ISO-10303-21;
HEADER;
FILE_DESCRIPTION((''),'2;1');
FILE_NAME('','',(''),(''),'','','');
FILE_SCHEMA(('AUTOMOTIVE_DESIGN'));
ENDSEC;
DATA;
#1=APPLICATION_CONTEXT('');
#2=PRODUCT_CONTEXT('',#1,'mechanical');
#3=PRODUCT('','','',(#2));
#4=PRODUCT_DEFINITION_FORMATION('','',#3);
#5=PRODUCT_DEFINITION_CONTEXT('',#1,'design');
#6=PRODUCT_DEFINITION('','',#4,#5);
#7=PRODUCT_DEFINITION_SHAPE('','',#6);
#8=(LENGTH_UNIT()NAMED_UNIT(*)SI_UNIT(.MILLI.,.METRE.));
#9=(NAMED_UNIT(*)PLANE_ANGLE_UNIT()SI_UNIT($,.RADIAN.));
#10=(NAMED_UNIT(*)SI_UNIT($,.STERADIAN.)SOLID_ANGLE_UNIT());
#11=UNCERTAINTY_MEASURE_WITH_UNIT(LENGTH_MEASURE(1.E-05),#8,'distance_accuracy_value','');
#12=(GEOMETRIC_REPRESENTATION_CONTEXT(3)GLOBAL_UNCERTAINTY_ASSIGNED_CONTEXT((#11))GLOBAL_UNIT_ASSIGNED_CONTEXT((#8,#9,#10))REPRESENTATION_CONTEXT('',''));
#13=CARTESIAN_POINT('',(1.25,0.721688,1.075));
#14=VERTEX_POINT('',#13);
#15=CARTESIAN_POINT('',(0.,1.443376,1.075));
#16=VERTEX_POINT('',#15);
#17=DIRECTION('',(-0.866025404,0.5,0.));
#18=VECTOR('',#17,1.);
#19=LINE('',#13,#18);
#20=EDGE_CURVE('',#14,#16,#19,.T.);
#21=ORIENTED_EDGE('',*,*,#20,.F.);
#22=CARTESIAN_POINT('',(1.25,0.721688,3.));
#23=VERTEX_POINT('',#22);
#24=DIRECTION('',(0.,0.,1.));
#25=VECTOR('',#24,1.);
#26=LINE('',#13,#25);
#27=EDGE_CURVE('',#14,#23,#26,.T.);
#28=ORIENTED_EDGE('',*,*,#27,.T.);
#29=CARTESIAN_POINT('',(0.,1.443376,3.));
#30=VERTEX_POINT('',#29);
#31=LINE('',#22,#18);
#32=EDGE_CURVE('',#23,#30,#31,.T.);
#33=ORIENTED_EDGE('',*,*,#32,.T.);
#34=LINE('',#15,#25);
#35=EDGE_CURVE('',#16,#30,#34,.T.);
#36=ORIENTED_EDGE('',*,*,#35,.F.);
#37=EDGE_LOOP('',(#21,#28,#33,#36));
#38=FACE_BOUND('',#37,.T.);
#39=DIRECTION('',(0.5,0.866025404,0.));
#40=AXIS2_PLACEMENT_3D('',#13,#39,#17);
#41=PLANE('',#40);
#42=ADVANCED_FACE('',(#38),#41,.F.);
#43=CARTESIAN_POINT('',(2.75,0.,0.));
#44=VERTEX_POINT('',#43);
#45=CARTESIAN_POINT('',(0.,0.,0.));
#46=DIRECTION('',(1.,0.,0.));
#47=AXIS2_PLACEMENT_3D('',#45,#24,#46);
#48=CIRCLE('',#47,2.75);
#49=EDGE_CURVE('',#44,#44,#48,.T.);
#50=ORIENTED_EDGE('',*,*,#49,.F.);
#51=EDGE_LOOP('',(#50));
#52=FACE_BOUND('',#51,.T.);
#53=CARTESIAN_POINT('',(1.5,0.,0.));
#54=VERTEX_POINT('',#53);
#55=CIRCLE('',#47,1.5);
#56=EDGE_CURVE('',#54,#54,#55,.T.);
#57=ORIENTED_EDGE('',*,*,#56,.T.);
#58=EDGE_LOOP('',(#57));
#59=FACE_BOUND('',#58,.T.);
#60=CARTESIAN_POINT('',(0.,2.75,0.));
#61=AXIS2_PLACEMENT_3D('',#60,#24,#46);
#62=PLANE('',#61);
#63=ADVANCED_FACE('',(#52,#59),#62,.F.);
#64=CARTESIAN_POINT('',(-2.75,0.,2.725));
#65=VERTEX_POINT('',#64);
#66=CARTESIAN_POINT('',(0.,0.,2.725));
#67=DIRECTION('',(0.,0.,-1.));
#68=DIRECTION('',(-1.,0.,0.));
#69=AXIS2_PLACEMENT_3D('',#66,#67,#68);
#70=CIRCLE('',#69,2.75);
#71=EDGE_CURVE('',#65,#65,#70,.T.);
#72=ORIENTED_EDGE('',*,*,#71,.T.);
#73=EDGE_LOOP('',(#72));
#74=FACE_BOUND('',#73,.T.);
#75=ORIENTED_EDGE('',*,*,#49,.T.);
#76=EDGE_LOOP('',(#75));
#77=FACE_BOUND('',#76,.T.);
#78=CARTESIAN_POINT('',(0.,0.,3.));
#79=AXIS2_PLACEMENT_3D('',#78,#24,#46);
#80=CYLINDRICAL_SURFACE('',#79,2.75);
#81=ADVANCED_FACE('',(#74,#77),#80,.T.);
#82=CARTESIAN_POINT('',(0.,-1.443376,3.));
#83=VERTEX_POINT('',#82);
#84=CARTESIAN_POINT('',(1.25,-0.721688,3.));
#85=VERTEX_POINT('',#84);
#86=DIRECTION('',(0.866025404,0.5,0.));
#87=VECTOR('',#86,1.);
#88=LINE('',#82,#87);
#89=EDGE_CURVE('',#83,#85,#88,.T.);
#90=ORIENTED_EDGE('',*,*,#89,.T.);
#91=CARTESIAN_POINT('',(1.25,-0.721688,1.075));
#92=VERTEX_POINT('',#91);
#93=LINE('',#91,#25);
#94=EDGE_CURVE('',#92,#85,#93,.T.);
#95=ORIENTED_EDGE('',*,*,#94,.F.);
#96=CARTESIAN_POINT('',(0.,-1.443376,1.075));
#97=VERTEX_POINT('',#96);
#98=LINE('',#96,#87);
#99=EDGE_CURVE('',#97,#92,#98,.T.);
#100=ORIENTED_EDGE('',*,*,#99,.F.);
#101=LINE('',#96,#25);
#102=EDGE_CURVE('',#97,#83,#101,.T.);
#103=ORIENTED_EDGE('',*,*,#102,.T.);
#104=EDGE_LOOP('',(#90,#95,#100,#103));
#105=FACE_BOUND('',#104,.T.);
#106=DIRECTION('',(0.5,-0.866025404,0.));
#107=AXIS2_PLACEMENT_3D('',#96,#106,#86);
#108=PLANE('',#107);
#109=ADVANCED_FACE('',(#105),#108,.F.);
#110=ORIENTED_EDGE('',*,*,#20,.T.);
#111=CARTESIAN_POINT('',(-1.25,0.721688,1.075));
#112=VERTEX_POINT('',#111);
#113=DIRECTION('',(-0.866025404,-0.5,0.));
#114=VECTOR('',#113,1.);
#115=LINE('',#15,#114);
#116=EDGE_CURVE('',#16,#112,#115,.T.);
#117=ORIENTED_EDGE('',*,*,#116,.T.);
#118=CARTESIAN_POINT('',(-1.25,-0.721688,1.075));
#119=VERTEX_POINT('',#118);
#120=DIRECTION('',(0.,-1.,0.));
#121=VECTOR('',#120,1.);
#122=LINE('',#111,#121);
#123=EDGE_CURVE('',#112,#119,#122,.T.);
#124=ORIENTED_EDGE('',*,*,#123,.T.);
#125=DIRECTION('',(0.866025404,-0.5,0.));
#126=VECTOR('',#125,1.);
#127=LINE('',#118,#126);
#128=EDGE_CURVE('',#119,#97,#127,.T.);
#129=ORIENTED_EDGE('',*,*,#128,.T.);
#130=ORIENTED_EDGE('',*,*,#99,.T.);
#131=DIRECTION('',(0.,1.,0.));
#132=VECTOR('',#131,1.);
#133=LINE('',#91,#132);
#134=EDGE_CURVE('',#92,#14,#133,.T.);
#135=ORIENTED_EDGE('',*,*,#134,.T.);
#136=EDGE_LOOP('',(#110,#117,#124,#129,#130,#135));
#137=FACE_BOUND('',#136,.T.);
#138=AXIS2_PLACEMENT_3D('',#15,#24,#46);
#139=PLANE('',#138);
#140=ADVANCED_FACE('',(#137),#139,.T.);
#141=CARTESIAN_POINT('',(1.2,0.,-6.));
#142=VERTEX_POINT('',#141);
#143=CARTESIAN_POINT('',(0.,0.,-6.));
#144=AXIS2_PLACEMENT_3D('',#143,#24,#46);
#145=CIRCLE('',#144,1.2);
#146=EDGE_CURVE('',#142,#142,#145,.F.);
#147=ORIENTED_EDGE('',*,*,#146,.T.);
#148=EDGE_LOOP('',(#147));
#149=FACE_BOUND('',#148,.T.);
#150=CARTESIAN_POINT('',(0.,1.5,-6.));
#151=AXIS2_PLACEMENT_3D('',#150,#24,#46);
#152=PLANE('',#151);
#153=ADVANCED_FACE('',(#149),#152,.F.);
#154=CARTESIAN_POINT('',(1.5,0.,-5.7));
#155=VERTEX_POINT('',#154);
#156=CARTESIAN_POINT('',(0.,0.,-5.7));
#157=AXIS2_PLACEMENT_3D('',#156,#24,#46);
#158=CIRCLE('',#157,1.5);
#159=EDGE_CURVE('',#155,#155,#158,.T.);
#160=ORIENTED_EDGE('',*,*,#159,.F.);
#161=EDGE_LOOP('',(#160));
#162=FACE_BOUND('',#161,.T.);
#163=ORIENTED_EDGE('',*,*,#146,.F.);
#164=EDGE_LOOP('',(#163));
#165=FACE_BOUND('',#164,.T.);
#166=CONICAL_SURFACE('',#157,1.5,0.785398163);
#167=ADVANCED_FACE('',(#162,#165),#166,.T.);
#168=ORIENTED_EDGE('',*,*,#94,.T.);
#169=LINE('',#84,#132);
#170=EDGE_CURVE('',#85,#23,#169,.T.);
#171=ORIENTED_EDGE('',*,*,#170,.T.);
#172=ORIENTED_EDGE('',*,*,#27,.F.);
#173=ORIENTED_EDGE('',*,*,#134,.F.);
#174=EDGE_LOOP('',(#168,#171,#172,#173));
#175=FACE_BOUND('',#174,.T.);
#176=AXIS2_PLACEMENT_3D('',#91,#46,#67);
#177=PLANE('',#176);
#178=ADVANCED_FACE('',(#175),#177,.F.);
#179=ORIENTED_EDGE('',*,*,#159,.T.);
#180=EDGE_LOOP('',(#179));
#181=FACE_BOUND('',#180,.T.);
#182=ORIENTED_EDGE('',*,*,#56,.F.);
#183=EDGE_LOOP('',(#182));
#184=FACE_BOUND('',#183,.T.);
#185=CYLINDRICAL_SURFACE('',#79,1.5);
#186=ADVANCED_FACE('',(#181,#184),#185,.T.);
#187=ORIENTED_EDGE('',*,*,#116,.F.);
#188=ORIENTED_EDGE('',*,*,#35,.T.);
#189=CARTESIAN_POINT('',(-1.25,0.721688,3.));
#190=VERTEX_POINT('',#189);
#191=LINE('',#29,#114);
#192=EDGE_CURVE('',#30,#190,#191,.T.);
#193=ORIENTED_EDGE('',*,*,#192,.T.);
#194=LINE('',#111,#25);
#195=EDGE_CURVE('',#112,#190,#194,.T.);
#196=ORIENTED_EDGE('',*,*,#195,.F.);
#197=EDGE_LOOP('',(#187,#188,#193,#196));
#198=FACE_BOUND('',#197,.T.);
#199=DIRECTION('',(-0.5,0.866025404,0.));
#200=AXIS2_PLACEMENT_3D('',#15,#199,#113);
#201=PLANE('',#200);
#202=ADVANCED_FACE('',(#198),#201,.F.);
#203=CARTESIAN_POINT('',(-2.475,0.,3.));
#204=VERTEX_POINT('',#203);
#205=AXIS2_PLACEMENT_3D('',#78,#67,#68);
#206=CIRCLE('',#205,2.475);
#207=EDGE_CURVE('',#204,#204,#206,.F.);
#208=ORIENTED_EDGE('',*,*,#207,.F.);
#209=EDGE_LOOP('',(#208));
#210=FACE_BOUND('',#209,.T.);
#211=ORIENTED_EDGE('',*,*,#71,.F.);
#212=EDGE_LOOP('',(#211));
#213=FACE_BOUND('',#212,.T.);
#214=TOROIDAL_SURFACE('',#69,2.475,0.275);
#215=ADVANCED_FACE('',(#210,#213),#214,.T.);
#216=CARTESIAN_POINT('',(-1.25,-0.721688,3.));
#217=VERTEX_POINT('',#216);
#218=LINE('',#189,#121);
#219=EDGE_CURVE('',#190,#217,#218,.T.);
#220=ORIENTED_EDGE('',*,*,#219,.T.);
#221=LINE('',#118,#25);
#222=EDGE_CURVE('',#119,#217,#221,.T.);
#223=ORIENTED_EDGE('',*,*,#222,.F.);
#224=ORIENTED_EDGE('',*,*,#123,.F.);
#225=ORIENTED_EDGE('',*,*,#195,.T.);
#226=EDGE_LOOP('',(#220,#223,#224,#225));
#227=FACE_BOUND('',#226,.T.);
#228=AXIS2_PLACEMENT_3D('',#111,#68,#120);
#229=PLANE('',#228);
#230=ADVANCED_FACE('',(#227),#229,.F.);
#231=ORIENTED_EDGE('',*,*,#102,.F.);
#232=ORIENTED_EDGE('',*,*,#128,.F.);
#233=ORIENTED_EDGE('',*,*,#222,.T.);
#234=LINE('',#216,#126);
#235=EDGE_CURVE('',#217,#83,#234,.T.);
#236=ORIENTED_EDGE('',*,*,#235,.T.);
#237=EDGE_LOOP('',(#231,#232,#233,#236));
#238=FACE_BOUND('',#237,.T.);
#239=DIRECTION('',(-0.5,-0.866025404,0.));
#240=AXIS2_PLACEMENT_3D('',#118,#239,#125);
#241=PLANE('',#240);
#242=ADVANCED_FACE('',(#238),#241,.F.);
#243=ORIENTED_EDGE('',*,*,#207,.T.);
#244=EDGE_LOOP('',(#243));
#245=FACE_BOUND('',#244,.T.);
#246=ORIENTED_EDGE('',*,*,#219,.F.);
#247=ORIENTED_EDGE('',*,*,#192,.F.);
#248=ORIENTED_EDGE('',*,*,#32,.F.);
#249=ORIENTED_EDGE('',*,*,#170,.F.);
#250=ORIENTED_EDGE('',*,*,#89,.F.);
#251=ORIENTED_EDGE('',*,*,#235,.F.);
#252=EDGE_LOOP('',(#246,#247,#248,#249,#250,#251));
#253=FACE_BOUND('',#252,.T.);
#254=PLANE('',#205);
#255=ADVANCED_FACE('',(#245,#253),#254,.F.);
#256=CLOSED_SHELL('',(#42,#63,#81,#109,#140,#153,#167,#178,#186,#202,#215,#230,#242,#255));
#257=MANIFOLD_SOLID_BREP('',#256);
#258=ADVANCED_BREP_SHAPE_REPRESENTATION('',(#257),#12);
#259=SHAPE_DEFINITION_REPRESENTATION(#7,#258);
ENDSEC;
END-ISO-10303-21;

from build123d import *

# Parameters (mm, degrees)
CUT_EXTRUDE_1_DEPTH = 1.925
FILLET_1_R          = 0.275
CHAMFER_1_SIZE      = 0.3


with BuildPart() as part:
    # 草图3 → 旋转1 (revolve)
    with BuildSketch(Plane(origin=(0, 0, 0), x_dir=(0, 0, -1), z_dir=(1, 0, 0)), mode=Mode.PRIVATE) as revolve_1_sk:
        Polygon((-3, 0), (-3, 2.75), (0, 2.75), (0, 1.5), (6, 1.5), (6, 0), align=None)
    revolve(revolve_1_sk.sketch.rotate(Axis((0, 0, 3), (0, 0, -1)), 90), axis=Axis((0, 0, 3), (0, 0, -1)))

    # 草图4 → 切除-拉伸1 (cut)
    with BuildSketch(Plane.XY.offset(3)):
        Polygon((0, 1.443375673), (-1.25, 0.721687836), (-1.25, -0.721687836), (0, -1.443375673), (1.25, -0.721687836), (1.25, 0.721687836), align=None)
    extrude(amount=-CUT_EXTRUDE_1_DEPTH, mode=Mode.SUBTRACT)

    # 圆角1
    fillet_1_edges = [part.edges().sort_by_distance(p)[0] for p in [
        (-2.75, 0, 3),
    ]]
    fillet(fillet_1_edges, radius=FILLET_1_R)

    # 倒角1
    chamfer_1_edges = [part.edges().sort_by_distance(p)[0] for p in [
        (-1.5, 0, -6),
    ]]
    chamfer(chamfer_1_edges, length=CHAMFER_1_SIZE)


solid = part.part
